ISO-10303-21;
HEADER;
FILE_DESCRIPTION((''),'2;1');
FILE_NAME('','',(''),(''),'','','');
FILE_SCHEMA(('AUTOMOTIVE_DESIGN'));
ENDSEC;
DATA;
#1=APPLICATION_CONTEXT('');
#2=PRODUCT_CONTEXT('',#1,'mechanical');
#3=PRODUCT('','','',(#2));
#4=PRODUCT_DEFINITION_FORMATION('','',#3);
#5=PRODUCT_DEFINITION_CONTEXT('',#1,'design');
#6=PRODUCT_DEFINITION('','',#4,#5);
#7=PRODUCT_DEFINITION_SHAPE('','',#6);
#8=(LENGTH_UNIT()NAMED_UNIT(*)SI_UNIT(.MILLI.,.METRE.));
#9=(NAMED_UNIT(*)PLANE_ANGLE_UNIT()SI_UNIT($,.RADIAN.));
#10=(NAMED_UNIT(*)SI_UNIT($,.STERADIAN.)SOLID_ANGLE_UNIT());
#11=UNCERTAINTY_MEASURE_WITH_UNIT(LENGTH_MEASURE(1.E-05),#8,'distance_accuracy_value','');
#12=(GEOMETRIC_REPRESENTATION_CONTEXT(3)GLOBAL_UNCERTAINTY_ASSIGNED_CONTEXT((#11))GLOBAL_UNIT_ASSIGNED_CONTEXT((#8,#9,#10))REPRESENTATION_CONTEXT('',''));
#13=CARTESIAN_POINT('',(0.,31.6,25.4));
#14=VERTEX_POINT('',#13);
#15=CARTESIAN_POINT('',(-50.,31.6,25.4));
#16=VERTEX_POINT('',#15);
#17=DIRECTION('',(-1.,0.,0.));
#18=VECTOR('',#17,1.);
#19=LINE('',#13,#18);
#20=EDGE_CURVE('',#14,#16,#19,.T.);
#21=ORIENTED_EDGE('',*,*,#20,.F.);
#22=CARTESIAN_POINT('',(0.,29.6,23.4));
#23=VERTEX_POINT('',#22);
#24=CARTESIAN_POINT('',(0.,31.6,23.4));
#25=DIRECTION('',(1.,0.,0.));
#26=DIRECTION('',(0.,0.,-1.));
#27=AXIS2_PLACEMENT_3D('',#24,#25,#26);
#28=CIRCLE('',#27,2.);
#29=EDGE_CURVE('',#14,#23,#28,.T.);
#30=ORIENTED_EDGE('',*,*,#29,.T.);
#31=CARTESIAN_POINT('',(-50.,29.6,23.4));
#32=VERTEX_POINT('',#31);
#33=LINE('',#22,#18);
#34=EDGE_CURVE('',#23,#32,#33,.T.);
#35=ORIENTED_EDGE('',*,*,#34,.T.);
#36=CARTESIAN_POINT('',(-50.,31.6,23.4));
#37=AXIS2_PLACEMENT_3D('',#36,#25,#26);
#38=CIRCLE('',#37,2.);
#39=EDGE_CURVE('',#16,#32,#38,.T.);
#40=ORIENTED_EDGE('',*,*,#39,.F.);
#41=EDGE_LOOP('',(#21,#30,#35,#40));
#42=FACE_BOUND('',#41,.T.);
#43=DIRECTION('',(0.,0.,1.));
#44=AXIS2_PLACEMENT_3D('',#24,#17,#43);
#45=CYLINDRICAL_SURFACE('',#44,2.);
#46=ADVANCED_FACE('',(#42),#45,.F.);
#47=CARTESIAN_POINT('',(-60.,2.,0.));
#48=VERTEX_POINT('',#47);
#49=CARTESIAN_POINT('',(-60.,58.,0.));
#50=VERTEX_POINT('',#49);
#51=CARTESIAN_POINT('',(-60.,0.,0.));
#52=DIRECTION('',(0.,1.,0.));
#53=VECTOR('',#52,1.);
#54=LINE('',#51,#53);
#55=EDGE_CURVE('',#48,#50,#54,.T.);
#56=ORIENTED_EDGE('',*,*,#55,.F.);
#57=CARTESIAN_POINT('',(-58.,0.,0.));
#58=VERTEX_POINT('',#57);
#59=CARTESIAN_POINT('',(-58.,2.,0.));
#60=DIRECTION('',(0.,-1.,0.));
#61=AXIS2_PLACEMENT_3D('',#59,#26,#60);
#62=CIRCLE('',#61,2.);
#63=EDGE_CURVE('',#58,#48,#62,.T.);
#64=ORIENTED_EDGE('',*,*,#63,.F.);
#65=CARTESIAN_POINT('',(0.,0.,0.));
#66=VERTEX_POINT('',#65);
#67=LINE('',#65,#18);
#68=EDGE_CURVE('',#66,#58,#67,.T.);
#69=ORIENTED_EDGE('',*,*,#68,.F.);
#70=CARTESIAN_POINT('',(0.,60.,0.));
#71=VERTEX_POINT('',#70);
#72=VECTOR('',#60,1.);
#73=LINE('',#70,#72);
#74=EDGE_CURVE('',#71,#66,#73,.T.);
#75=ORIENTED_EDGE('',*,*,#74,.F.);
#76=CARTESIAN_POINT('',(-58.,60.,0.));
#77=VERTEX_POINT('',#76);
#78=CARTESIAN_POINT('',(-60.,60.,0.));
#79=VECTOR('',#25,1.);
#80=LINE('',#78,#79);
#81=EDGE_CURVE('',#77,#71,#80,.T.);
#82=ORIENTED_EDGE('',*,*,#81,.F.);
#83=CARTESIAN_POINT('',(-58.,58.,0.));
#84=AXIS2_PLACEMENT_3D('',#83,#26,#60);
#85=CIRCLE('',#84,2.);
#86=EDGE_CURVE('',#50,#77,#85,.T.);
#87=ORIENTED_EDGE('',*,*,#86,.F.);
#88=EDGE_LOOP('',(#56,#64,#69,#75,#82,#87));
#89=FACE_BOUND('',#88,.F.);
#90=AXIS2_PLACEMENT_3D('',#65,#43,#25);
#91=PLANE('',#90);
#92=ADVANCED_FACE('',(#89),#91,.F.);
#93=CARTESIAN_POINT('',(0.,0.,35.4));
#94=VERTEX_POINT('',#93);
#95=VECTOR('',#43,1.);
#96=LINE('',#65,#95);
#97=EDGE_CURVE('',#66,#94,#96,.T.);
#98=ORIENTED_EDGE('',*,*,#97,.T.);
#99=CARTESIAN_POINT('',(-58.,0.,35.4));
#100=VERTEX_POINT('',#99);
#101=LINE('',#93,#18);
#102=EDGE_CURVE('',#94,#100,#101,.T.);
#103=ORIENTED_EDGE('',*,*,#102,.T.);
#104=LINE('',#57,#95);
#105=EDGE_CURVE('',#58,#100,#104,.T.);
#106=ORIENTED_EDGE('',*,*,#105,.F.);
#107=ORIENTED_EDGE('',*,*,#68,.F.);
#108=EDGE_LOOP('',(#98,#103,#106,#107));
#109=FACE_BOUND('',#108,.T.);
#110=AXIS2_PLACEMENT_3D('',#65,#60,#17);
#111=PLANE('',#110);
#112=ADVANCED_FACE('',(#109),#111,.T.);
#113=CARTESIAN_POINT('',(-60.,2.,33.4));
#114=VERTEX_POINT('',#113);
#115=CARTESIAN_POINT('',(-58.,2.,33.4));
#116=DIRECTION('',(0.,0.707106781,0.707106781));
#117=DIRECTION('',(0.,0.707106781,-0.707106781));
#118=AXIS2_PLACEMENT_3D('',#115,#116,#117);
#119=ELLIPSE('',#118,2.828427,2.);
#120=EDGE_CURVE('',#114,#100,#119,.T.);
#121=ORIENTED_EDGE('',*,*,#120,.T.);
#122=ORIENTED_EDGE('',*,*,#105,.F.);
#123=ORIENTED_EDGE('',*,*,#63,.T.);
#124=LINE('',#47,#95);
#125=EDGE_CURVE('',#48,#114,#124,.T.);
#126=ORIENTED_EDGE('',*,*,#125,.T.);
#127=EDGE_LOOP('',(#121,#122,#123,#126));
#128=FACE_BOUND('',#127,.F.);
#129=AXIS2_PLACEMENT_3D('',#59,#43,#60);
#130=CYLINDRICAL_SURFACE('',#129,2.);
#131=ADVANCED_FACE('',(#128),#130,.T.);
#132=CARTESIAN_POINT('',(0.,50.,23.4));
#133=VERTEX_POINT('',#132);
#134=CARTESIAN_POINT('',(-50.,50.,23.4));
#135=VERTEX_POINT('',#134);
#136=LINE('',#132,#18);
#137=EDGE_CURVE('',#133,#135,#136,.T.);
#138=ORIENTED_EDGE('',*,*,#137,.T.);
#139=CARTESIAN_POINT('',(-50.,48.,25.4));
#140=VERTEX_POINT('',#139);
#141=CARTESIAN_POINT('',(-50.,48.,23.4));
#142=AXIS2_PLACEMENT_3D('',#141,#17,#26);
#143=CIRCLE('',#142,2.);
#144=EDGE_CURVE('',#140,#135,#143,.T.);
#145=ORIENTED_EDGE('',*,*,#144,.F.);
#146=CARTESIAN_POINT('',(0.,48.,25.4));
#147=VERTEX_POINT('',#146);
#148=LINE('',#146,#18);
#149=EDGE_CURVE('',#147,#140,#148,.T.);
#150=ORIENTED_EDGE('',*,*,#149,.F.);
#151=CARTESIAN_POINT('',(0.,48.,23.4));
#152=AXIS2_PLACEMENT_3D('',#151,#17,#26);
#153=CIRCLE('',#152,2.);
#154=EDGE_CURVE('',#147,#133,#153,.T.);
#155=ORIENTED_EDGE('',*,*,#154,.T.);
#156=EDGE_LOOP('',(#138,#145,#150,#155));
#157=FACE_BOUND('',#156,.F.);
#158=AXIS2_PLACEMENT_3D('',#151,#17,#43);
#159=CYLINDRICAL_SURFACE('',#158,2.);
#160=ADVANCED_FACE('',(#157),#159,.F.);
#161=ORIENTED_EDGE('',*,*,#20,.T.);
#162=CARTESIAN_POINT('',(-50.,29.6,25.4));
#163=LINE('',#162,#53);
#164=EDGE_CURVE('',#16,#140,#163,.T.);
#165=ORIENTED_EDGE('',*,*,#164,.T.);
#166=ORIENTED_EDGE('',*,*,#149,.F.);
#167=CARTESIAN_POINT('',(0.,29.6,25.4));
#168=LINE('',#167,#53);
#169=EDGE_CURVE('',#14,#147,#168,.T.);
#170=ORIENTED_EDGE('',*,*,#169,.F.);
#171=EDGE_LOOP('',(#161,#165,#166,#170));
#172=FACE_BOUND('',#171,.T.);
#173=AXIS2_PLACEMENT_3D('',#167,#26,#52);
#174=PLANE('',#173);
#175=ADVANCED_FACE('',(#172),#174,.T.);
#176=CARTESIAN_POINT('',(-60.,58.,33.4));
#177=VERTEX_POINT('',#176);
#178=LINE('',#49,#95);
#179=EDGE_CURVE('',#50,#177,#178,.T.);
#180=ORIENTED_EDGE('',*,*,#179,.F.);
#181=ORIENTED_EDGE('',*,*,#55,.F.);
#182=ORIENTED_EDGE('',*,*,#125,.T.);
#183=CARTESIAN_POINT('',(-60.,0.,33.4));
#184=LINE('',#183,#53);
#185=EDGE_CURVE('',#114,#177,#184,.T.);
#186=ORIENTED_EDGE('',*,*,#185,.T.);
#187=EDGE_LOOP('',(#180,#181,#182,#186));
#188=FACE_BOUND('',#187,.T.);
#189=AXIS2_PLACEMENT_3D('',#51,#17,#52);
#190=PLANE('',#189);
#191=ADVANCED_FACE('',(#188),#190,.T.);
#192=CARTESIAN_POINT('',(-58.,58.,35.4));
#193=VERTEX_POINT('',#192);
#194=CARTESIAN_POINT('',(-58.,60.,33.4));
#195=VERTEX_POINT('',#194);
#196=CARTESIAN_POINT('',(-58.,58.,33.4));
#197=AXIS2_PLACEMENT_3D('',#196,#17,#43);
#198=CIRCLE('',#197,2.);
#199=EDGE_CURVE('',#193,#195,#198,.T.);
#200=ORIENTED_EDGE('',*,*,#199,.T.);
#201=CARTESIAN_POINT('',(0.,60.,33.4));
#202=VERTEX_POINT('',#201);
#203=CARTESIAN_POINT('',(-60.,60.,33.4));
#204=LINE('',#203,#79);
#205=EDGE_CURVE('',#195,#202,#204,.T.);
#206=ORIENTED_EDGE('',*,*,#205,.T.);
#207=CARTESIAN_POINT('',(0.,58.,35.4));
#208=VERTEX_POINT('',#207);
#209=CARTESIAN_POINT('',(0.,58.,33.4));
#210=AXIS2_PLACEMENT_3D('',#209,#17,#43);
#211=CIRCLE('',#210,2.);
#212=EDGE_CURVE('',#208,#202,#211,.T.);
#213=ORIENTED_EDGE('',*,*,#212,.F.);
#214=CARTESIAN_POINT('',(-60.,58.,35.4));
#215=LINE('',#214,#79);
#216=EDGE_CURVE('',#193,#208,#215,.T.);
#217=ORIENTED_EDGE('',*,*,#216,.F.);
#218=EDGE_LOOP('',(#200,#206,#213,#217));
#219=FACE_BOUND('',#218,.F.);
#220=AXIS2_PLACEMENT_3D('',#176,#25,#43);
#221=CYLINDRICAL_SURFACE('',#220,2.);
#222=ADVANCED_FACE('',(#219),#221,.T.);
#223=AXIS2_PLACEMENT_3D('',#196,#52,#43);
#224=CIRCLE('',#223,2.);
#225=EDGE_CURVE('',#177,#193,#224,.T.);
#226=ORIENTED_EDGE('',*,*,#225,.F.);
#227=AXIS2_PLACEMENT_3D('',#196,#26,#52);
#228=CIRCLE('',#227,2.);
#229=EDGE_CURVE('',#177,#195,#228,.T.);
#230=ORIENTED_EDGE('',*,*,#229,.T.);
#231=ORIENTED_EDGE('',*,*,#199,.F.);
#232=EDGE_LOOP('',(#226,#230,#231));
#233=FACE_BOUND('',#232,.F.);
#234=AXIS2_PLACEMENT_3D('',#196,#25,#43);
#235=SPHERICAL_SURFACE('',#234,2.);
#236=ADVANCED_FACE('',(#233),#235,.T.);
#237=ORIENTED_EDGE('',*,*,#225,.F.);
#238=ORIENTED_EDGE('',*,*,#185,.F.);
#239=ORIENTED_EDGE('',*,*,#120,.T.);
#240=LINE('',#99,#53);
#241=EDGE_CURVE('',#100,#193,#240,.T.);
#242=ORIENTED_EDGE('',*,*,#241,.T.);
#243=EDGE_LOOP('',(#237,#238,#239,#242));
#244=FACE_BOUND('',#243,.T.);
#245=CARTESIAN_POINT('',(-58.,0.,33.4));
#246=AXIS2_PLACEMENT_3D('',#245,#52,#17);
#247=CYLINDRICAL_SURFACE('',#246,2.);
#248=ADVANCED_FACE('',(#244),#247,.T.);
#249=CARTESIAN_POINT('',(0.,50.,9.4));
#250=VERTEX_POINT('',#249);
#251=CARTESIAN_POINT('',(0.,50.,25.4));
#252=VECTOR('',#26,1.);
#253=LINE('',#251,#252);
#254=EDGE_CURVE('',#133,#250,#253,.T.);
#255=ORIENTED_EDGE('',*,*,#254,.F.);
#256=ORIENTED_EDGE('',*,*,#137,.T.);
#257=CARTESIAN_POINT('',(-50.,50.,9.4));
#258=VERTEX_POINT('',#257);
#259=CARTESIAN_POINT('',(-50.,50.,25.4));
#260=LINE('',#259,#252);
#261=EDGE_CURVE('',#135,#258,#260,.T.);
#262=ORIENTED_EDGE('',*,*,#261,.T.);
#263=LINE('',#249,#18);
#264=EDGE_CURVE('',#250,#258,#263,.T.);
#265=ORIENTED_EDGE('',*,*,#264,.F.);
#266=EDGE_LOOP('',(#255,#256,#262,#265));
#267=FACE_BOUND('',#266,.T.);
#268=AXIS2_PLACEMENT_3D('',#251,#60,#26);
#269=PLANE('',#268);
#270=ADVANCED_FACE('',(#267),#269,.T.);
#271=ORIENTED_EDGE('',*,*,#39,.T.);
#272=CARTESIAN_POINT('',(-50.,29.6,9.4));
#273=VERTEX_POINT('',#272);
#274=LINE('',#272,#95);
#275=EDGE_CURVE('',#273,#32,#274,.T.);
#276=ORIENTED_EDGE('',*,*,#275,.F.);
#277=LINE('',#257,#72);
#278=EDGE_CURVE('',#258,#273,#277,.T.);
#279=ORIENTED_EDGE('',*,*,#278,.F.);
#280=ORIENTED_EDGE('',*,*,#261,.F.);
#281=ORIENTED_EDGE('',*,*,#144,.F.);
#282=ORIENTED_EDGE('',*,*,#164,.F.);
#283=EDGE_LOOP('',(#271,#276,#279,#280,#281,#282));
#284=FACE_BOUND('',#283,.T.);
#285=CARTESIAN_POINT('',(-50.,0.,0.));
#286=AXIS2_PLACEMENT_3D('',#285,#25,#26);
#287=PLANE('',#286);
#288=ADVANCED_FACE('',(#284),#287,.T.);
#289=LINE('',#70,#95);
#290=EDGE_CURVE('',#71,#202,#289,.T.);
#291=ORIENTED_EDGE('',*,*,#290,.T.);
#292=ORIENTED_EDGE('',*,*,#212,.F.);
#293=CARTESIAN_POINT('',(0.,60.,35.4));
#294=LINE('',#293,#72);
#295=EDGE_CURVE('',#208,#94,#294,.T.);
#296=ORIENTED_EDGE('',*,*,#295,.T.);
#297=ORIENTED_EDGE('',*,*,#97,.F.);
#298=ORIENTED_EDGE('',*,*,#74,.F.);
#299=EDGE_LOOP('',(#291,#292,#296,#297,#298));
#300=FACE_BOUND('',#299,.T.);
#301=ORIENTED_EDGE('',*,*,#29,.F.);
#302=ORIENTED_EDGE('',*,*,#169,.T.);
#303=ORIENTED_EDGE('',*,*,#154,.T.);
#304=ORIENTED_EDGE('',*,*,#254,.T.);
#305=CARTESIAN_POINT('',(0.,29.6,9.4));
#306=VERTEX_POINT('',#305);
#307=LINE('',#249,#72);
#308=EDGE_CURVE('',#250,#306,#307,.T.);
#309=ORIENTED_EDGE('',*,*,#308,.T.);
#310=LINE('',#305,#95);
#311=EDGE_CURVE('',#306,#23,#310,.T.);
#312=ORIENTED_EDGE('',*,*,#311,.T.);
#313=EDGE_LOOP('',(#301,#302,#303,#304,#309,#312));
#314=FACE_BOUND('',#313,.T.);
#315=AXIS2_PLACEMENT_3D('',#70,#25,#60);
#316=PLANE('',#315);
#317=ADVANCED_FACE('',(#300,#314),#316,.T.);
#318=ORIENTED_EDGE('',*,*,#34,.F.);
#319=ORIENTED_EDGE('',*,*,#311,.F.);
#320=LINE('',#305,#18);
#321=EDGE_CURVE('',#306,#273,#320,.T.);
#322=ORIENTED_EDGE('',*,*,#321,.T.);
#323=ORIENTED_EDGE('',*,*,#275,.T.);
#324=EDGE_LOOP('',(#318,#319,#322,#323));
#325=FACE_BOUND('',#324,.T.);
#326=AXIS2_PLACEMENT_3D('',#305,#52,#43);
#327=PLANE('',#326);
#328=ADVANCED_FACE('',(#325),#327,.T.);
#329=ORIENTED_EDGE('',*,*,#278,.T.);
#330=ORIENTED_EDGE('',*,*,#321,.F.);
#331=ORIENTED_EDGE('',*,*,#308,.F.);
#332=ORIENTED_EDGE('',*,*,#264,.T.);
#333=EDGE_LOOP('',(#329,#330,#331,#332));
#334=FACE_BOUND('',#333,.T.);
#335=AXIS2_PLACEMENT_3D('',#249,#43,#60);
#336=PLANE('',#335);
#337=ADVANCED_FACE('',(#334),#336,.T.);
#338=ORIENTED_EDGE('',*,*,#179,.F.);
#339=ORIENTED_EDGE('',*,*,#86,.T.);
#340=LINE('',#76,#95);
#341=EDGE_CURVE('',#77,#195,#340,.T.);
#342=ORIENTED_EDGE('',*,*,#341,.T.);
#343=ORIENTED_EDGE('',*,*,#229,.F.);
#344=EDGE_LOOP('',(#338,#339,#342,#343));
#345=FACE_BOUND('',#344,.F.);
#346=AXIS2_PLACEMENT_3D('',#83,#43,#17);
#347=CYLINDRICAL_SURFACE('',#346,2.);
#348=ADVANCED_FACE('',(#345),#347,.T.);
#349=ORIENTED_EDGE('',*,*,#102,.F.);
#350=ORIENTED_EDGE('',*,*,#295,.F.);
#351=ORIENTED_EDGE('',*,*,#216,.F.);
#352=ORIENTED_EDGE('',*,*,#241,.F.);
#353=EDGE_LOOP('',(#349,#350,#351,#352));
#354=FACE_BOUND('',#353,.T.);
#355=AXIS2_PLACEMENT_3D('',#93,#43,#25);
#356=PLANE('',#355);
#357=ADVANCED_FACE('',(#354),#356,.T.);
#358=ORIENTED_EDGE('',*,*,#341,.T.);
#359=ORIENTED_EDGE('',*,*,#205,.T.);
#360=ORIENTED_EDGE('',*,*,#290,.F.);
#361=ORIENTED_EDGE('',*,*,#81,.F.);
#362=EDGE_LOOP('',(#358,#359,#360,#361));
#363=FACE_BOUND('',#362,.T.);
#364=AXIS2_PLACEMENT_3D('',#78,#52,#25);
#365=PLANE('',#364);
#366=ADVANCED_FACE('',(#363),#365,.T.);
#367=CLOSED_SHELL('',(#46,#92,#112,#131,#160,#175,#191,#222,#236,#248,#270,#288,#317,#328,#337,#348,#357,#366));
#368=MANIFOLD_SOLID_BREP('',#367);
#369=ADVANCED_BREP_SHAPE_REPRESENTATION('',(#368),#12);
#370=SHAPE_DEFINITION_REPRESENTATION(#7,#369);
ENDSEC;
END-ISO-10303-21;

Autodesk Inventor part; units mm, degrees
ref_plane "YZ Plane" through (0, 0, 0) normal (1, 0, 0) x (0, 1, 0)
ref_plane "XZ Plane" through (0, 0, 0) normal (0, 1, 0) x (-1, 0, 0)
ref_plane "XY Plane" through (0, 0, 0) normal (0, 0, 1) x (1, 0, 0)
sketch "Sketch5" plane through (0, 0, 0) normal (0, 0, 1) x (1, 0, 0)
  line L0 (0, 0) -> (-60, 0)
  line L1 (-60, 0) -> (-60, 60)
  line L2 (-60, 60) -> (0, 60)
  line L3 (0, 60) -> (0, 0)
  dimension "d55" = 60
  dimension "d56" = 60
extrude "Extrusion4" add sketch "Sketch5" along normal blind 35.4
sketch "Sketch6" plane through (0, 0, 0) normal (1, 0, 0) x (0, 0, -1)
  line L0 (-35.4, 60) -> (-35.4, 0) projected
  line L1 (-35.4, 60) -> (-25.4, 60)
  line L2 (-25.4, 60) -> (-25.4, 50)
  line L3 (-25.4, 50) -> (-35.4, 50)
  line L4 (-35.4, 50) -> (-35.4, 60)
  line L5 (-25.4, 50) -> (-9.4, 50)
  line L6 (-9.4, 50) -> (-9.4, 29.6)
  line L7 (-9.4, 29.6) -> (-25.4, 29.6)
  line L8 (-25.4, 29.6) -> (-25.4, 50)
  point P0 (0, 0)
  dimension "d61" = 10
  dimension "d62" = 10
  dimension "d65" = 16
  dimension "d66" = 20.4
extrude "Extrusion5" cut sketch "Sketch6" against normal blind 50 contours L5 L6 L7 L8
fillet "Fillet5" radius 2 6 edges at (-30, 60, 35.4) (-25, 29.6, 25.4) (-25, 50, 25.4) (-60, 30, 35.4) (-60, 0, 17.7) (-60, 60, 17.7)
properties part number "Clasp"
